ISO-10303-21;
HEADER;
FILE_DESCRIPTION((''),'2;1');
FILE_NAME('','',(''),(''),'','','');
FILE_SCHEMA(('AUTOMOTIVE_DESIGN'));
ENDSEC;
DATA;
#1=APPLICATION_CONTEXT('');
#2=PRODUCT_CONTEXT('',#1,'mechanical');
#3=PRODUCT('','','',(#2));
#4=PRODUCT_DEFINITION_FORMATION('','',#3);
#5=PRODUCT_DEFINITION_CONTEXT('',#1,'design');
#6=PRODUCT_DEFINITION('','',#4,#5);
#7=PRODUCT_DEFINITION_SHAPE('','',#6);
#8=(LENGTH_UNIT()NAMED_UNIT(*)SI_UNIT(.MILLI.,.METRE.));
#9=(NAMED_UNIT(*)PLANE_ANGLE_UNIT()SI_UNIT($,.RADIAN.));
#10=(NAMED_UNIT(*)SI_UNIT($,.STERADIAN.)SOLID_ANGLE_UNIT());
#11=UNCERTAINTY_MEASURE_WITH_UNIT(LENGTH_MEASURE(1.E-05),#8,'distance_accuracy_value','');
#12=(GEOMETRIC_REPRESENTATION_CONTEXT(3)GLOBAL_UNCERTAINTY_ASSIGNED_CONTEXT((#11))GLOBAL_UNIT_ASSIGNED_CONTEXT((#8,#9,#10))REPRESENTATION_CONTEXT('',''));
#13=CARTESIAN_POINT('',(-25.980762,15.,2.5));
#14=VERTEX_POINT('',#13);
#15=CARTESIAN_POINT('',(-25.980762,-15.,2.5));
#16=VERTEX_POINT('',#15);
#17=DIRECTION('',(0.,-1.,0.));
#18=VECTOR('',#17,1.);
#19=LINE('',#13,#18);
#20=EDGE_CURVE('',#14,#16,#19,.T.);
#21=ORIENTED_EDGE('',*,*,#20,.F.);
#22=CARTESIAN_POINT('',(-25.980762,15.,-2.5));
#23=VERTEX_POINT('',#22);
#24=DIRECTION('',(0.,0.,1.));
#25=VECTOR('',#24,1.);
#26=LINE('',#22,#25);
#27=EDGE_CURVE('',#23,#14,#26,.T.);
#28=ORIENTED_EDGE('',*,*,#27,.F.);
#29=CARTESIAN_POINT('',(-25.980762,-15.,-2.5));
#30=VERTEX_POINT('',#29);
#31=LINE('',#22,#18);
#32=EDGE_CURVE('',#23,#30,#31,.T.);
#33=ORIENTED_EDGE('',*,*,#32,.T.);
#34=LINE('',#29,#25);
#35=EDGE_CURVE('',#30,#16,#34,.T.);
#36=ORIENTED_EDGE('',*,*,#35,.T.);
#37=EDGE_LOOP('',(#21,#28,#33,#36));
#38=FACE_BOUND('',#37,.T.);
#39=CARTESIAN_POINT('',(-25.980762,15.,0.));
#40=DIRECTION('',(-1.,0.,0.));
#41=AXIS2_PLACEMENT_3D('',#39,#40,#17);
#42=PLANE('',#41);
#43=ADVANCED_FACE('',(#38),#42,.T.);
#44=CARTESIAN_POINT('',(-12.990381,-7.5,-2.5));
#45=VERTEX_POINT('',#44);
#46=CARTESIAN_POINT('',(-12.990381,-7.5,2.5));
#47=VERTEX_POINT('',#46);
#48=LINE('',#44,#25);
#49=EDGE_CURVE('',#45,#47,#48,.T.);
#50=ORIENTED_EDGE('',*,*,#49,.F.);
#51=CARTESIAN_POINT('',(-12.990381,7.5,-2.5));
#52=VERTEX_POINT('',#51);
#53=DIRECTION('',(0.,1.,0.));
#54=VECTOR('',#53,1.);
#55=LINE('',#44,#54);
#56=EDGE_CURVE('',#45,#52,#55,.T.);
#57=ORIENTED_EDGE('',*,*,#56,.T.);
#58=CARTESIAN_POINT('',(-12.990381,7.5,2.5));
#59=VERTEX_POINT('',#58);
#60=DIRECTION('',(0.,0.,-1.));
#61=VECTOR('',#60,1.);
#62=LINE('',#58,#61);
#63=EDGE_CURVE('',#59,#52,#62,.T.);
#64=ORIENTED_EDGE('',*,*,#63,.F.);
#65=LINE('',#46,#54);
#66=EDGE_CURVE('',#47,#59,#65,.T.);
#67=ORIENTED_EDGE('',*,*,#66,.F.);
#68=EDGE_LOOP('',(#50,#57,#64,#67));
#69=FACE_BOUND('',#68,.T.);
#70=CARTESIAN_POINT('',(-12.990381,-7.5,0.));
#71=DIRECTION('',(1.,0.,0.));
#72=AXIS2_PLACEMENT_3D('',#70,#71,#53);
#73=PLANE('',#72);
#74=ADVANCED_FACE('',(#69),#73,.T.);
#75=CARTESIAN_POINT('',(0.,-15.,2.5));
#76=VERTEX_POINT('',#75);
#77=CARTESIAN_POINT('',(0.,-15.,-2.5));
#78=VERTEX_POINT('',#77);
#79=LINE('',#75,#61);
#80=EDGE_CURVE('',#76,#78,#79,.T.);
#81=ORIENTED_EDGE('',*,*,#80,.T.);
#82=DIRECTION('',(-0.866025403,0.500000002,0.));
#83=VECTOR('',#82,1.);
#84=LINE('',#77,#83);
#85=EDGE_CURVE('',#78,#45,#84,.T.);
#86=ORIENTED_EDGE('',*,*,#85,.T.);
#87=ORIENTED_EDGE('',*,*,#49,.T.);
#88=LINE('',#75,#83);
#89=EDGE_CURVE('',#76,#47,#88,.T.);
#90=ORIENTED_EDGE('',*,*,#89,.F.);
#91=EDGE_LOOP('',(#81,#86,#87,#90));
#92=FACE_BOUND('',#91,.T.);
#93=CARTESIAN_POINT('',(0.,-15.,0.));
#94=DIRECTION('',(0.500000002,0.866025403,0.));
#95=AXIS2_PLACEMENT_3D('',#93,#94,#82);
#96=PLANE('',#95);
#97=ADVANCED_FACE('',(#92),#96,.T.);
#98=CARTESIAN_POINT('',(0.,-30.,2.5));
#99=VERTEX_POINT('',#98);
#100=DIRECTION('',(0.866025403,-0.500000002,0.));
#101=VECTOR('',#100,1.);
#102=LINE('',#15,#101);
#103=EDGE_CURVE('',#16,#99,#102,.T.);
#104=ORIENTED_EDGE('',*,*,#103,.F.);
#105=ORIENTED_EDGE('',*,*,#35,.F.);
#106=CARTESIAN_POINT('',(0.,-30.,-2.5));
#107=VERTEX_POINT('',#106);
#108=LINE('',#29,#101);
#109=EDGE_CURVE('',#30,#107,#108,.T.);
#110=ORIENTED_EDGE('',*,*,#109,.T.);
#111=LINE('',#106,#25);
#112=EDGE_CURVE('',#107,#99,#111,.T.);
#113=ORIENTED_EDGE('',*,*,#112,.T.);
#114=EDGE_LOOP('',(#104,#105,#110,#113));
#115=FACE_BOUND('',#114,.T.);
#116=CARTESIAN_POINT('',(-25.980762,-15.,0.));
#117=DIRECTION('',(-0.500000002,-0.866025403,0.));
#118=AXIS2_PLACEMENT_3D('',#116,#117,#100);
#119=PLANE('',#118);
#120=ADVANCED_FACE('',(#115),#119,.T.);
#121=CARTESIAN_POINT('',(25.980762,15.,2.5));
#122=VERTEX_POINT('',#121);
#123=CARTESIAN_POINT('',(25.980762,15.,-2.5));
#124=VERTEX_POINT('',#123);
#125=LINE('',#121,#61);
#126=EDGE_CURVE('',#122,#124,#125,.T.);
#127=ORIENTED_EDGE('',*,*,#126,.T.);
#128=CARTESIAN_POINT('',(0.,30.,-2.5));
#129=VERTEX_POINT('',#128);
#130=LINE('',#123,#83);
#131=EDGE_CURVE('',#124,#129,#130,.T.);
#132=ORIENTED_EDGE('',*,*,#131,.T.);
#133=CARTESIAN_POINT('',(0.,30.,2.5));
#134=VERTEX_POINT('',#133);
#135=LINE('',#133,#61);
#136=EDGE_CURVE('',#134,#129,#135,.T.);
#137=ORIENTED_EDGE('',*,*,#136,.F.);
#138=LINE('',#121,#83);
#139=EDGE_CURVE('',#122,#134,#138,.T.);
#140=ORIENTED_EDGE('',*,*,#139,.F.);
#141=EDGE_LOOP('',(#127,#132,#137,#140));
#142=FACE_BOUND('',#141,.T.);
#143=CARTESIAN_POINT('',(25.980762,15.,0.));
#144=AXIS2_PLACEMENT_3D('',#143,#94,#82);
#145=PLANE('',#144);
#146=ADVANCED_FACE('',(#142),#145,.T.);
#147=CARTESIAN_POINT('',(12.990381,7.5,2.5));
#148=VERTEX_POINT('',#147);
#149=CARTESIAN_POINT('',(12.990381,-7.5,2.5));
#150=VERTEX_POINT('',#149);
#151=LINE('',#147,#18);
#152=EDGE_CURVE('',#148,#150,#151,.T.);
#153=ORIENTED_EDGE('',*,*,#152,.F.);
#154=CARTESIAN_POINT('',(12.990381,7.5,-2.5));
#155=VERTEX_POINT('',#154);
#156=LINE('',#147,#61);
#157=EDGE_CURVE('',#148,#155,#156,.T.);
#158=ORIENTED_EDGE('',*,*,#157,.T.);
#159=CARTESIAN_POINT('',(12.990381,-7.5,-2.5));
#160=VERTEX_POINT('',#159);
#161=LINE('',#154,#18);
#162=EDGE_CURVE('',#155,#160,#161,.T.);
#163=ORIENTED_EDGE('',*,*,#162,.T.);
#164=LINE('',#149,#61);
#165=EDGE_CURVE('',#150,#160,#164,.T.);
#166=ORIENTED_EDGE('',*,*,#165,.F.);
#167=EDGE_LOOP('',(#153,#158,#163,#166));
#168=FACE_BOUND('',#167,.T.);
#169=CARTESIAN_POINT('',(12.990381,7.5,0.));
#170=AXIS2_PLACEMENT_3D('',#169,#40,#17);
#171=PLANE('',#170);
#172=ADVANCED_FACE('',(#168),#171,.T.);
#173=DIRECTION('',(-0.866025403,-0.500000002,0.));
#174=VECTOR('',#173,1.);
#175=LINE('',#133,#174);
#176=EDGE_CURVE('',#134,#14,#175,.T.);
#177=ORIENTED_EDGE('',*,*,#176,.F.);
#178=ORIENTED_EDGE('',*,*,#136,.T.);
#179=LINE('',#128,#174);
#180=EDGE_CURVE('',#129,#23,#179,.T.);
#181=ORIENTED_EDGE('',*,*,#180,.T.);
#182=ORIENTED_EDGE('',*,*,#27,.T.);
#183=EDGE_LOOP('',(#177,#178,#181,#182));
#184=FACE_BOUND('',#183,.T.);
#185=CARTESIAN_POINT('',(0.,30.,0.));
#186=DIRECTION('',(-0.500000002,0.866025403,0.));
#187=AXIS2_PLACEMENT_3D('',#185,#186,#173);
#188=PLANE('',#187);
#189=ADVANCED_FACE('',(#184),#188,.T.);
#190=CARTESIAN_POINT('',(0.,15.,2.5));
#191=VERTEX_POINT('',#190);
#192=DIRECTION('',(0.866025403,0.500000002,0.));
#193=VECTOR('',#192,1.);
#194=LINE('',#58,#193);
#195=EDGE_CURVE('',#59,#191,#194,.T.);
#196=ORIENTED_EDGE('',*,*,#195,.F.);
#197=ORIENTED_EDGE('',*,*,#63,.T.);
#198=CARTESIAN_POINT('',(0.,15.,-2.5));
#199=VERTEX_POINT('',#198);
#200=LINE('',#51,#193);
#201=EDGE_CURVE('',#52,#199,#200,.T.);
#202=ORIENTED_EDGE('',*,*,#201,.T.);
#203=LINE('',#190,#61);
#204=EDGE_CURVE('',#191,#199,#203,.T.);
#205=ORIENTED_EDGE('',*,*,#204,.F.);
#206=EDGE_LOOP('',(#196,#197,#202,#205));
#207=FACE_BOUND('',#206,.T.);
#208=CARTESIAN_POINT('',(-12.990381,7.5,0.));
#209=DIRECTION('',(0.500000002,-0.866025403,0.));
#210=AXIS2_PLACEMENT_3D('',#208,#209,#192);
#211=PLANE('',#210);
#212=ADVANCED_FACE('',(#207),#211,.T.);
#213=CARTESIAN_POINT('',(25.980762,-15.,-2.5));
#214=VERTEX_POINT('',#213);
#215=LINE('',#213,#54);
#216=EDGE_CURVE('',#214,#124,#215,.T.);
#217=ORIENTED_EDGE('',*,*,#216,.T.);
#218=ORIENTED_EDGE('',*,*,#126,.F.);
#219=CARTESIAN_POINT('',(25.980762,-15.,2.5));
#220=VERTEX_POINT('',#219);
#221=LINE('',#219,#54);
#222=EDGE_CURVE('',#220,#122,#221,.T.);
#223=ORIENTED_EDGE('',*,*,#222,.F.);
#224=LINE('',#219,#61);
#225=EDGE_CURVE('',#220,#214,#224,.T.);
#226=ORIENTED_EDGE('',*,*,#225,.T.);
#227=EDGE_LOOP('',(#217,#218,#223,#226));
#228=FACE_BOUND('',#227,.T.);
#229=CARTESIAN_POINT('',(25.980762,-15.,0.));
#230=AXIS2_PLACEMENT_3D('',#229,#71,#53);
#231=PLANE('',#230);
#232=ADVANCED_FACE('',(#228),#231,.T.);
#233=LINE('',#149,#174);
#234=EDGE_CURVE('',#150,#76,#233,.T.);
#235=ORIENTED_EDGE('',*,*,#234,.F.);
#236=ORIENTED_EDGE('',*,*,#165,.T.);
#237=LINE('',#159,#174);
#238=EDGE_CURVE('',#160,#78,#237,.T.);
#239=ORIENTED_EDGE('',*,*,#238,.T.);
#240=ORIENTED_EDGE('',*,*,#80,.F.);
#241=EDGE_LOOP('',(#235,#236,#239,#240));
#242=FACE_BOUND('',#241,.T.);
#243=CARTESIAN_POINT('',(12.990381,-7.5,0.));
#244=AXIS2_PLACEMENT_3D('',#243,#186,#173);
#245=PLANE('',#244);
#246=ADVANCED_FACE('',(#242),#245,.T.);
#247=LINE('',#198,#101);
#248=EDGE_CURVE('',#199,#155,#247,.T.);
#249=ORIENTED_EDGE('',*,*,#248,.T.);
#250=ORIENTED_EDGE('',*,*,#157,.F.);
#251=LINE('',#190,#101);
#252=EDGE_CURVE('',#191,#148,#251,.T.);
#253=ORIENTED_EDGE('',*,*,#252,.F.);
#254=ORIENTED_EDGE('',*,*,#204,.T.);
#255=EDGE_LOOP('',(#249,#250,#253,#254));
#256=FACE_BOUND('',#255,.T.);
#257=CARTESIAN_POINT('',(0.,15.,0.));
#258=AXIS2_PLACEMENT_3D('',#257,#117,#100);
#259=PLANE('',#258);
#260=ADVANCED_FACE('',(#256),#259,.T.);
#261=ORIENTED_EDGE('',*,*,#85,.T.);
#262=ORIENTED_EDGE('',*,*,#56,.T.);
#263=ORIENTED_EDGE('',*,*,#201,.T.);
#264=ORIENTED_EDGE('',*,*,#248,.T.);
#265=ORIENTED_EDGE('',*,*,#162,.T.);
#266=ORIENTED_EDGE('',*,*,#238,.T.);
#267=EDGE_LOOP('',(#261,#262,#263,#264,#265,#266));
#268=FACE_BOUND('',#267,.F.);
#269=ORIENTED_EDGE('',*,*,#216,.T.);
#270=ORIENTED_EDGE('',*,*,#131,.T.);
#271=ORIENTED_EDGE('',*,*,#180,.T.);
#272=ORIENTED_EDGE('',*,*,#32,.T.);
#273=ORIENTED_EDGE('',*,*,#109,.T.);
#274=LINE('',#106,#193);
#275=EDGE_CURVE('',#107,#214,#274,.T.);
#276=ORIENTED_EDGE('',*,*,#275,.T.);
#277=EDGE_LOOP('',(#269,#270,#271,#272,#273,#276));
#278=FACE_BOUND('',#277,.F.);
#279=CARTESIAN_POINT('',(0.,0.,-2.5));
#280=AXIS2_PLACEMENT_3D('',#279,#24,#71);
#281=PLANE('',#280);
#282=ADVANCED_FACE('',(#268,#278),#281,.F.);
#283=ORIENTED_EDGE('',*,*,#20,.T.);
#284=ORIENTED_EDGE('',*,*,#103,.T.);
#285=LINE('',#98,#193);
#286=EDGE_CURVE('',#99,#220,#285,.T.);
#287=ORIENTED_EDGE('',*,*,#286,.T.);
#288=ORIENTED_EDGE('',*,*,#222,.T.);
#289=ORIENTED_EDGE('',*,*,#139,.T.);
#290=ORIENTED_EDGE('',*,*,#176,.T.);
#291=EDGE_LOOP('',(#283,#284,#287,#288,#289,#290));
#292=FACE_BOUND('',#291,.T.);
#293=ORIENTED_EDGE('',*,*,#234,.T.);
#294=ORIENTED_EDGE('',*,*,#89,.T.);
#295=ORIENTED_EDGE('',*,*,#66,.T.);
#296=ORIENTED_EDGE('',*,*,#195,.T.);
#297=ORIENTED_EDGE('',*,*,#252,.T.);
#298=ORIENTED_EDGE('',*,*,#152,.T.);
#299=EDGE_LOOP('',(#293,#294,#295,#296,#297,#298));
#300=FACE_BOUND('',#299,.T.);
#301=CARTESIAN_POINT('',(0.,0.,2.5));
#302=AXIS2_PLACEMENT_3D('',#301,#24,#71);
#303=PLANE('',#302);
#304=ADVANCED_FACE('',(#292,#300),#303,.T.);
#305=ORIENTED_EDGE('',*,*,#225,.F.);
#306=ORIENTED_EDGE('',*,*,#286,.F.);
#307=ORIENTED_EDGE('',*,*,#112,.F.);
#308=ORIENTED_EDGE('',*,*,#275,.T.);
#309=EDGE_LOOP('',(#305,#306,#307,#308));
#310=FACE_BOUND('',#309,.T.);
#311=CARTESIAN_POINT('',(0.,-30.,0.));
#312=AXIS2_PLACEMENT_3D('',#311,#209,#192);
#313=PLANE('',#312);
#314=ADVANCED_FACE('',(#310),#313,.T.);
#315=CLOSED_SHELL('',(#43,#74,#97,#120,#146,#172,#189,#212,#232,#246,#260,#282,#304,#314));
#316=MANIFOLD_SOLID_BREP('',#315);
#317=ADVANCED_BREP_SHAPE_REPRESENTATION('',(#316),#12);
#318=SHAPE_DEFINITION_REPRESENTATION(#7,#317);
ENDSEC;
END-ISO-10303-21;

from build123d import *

# Parameters (mm, degrees)
F1_DEPTH = 2.5


with BuildPart() as f1:
    # F0 (on Top) → F1 (new body, symmetric)
    with BuildSketch(Plane.XY):
        Polygon((0, 30), (-25.980762, 15), (-25.980762, -15), (0, -30), (25.980762, -15), (25.980762, 15), align=None)
        Polygon((-12.990381, -7.5), (-12.990381, 7.5), (0, 15), (12.990381, 7.5), (12.990381, -7.5), (0, -15), align=None, mode=Mode.SUBTRACT)
    extrude(amount=F1_DEPTH, both=True)


solid = f1.part
